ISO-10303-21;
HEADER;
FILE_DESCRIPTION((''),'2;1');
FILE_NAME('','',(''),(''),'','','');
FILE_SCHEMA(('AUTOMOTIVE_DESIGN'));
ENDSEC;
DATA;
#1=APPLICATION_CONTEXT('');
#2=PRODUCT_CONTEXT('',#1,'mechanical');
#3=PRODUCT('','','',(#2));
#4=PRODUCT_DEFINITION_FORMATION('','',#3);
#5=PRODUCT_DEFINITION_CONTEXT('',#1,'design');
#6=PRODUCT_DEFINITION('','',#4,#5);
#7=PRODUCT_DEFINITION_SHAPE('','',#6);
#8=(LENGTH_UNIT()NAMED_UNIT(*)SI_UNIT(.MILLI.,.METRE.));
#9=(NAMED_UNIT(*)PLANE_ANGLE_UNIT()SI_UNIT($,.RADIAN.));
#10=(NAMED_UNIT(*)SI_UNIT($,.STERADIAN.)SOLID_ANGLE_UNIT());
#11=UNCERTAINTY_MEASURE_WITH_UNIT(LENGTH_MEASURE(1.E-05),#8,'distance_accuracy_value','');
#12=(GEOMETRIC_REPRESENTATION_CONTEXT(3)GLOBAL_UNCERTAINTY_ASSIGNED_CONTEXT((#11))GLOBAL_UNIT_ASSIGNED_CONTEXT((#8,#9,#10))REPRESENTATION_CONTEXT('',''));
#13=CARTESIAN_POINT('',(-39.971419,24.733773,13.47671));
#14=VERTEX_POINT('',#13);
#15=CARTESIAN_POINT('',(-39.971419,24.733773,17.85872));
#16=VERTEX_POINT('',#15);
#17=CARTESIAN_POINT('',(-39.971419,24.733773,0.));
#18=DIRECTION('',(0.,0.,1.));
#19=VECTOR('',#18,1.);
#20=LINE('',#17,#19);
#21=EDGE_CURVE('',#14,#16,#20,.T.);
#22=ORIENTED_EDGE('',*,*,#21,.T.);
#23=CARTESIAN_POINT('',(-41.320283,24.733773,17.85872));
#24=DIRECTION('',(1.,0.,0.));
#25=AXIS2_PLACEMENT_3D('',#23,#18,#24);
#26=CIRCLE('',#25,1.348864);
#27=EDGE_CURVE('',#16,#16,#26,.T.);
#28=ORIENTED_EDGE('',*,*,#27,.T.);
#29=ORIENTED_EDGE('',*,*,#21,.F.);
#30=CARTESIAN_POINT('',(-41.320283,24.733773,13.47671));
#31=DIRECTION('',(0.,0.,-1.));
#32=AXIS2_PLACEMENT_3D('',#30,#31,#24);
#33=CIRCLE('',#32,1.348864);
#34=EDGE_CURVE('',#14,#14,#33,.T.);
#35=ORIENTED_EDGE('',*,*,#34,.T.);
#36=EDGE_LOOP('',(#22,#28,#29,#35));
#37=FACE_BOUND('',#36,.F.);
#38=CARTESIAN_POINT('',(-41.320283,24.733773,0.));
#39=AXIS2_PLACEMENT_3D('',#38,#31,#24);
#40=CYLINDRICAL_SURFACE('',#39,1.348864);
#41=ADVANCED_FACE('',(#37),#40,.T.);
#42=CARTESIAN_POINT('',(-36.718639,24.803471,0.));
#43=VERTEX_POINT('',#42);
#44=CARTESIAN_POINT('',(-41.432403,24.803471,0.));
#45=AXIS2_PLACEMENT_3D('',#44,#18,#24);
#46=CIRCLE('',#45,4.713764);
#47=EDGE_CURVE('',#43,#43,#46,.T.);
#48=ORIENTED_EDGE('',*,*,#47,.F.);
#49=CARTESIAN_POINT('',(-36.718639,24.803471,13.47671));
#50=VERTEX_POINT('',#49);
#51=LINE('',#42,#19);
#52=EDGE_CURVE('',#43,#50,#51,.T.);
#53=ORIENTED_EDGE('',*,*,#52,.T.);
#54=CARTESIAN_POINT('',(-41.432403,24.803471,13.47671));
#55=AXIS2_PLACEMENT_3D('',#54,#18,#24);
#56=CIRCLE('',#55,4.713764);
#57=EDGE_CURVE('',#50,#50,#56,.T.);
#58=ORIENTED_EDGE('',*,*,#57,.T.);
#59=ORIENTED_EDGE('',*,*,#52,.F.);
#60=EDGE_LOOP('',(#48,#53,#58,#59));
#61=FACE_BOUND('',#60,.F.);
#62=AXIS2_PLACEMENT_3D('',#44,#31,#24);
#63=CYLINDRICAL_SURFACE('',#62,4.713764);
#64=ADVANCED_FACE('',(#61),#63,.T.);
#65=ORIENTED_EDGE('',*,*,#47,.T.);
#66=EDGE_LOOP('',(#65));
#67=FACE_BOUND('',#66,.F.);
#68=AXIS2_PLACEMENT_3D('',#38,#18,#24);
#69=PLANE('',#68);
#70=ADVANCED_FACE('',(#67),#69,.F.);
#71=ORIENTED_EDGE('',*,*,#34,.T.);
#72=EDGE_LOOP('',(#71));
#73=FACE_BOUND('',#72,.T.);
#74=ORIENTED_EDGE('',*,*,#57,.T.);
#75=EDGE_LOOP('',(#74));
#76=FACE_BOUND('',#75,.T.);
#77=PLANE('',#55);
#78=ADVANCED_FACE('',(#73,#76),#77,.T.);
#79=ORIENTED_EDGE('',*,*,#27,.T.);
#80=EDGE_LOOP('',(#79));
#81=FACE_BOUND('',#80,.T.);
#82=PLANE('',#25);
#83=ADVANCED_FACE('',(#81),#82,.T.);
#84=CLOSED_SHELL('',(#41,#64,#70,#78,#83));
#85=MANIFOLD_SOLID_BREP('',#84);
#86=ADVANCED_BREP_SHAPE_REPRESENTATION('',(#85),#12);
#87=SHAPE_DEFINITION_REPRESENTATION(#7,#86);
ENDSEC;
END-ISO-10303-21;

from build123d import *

# Parameters (mm, degrees)
F0_R     = 4.713764
F1_DEPTH = 13.47671
F2_R     = 1.348864
F3_DEPTH = 17.85872


with BuildPart() as f1:
    # F0 (on Top) → F1 (new body)
    with BuildSketch(Plane.XY):
        with Locations((-41.432403, 24.803471)):
            Circle(F0_R)
    extrude(amount=F1_DEPTH)

    # F2 (on Top) → F3 (join)
    with BuildSketch(Plane.XY):
        with Locations((-41.320283, 24.733773)):
            Circle(F2_R)
    extrude(amount=F3_DEPTH)


solid = f1.part
